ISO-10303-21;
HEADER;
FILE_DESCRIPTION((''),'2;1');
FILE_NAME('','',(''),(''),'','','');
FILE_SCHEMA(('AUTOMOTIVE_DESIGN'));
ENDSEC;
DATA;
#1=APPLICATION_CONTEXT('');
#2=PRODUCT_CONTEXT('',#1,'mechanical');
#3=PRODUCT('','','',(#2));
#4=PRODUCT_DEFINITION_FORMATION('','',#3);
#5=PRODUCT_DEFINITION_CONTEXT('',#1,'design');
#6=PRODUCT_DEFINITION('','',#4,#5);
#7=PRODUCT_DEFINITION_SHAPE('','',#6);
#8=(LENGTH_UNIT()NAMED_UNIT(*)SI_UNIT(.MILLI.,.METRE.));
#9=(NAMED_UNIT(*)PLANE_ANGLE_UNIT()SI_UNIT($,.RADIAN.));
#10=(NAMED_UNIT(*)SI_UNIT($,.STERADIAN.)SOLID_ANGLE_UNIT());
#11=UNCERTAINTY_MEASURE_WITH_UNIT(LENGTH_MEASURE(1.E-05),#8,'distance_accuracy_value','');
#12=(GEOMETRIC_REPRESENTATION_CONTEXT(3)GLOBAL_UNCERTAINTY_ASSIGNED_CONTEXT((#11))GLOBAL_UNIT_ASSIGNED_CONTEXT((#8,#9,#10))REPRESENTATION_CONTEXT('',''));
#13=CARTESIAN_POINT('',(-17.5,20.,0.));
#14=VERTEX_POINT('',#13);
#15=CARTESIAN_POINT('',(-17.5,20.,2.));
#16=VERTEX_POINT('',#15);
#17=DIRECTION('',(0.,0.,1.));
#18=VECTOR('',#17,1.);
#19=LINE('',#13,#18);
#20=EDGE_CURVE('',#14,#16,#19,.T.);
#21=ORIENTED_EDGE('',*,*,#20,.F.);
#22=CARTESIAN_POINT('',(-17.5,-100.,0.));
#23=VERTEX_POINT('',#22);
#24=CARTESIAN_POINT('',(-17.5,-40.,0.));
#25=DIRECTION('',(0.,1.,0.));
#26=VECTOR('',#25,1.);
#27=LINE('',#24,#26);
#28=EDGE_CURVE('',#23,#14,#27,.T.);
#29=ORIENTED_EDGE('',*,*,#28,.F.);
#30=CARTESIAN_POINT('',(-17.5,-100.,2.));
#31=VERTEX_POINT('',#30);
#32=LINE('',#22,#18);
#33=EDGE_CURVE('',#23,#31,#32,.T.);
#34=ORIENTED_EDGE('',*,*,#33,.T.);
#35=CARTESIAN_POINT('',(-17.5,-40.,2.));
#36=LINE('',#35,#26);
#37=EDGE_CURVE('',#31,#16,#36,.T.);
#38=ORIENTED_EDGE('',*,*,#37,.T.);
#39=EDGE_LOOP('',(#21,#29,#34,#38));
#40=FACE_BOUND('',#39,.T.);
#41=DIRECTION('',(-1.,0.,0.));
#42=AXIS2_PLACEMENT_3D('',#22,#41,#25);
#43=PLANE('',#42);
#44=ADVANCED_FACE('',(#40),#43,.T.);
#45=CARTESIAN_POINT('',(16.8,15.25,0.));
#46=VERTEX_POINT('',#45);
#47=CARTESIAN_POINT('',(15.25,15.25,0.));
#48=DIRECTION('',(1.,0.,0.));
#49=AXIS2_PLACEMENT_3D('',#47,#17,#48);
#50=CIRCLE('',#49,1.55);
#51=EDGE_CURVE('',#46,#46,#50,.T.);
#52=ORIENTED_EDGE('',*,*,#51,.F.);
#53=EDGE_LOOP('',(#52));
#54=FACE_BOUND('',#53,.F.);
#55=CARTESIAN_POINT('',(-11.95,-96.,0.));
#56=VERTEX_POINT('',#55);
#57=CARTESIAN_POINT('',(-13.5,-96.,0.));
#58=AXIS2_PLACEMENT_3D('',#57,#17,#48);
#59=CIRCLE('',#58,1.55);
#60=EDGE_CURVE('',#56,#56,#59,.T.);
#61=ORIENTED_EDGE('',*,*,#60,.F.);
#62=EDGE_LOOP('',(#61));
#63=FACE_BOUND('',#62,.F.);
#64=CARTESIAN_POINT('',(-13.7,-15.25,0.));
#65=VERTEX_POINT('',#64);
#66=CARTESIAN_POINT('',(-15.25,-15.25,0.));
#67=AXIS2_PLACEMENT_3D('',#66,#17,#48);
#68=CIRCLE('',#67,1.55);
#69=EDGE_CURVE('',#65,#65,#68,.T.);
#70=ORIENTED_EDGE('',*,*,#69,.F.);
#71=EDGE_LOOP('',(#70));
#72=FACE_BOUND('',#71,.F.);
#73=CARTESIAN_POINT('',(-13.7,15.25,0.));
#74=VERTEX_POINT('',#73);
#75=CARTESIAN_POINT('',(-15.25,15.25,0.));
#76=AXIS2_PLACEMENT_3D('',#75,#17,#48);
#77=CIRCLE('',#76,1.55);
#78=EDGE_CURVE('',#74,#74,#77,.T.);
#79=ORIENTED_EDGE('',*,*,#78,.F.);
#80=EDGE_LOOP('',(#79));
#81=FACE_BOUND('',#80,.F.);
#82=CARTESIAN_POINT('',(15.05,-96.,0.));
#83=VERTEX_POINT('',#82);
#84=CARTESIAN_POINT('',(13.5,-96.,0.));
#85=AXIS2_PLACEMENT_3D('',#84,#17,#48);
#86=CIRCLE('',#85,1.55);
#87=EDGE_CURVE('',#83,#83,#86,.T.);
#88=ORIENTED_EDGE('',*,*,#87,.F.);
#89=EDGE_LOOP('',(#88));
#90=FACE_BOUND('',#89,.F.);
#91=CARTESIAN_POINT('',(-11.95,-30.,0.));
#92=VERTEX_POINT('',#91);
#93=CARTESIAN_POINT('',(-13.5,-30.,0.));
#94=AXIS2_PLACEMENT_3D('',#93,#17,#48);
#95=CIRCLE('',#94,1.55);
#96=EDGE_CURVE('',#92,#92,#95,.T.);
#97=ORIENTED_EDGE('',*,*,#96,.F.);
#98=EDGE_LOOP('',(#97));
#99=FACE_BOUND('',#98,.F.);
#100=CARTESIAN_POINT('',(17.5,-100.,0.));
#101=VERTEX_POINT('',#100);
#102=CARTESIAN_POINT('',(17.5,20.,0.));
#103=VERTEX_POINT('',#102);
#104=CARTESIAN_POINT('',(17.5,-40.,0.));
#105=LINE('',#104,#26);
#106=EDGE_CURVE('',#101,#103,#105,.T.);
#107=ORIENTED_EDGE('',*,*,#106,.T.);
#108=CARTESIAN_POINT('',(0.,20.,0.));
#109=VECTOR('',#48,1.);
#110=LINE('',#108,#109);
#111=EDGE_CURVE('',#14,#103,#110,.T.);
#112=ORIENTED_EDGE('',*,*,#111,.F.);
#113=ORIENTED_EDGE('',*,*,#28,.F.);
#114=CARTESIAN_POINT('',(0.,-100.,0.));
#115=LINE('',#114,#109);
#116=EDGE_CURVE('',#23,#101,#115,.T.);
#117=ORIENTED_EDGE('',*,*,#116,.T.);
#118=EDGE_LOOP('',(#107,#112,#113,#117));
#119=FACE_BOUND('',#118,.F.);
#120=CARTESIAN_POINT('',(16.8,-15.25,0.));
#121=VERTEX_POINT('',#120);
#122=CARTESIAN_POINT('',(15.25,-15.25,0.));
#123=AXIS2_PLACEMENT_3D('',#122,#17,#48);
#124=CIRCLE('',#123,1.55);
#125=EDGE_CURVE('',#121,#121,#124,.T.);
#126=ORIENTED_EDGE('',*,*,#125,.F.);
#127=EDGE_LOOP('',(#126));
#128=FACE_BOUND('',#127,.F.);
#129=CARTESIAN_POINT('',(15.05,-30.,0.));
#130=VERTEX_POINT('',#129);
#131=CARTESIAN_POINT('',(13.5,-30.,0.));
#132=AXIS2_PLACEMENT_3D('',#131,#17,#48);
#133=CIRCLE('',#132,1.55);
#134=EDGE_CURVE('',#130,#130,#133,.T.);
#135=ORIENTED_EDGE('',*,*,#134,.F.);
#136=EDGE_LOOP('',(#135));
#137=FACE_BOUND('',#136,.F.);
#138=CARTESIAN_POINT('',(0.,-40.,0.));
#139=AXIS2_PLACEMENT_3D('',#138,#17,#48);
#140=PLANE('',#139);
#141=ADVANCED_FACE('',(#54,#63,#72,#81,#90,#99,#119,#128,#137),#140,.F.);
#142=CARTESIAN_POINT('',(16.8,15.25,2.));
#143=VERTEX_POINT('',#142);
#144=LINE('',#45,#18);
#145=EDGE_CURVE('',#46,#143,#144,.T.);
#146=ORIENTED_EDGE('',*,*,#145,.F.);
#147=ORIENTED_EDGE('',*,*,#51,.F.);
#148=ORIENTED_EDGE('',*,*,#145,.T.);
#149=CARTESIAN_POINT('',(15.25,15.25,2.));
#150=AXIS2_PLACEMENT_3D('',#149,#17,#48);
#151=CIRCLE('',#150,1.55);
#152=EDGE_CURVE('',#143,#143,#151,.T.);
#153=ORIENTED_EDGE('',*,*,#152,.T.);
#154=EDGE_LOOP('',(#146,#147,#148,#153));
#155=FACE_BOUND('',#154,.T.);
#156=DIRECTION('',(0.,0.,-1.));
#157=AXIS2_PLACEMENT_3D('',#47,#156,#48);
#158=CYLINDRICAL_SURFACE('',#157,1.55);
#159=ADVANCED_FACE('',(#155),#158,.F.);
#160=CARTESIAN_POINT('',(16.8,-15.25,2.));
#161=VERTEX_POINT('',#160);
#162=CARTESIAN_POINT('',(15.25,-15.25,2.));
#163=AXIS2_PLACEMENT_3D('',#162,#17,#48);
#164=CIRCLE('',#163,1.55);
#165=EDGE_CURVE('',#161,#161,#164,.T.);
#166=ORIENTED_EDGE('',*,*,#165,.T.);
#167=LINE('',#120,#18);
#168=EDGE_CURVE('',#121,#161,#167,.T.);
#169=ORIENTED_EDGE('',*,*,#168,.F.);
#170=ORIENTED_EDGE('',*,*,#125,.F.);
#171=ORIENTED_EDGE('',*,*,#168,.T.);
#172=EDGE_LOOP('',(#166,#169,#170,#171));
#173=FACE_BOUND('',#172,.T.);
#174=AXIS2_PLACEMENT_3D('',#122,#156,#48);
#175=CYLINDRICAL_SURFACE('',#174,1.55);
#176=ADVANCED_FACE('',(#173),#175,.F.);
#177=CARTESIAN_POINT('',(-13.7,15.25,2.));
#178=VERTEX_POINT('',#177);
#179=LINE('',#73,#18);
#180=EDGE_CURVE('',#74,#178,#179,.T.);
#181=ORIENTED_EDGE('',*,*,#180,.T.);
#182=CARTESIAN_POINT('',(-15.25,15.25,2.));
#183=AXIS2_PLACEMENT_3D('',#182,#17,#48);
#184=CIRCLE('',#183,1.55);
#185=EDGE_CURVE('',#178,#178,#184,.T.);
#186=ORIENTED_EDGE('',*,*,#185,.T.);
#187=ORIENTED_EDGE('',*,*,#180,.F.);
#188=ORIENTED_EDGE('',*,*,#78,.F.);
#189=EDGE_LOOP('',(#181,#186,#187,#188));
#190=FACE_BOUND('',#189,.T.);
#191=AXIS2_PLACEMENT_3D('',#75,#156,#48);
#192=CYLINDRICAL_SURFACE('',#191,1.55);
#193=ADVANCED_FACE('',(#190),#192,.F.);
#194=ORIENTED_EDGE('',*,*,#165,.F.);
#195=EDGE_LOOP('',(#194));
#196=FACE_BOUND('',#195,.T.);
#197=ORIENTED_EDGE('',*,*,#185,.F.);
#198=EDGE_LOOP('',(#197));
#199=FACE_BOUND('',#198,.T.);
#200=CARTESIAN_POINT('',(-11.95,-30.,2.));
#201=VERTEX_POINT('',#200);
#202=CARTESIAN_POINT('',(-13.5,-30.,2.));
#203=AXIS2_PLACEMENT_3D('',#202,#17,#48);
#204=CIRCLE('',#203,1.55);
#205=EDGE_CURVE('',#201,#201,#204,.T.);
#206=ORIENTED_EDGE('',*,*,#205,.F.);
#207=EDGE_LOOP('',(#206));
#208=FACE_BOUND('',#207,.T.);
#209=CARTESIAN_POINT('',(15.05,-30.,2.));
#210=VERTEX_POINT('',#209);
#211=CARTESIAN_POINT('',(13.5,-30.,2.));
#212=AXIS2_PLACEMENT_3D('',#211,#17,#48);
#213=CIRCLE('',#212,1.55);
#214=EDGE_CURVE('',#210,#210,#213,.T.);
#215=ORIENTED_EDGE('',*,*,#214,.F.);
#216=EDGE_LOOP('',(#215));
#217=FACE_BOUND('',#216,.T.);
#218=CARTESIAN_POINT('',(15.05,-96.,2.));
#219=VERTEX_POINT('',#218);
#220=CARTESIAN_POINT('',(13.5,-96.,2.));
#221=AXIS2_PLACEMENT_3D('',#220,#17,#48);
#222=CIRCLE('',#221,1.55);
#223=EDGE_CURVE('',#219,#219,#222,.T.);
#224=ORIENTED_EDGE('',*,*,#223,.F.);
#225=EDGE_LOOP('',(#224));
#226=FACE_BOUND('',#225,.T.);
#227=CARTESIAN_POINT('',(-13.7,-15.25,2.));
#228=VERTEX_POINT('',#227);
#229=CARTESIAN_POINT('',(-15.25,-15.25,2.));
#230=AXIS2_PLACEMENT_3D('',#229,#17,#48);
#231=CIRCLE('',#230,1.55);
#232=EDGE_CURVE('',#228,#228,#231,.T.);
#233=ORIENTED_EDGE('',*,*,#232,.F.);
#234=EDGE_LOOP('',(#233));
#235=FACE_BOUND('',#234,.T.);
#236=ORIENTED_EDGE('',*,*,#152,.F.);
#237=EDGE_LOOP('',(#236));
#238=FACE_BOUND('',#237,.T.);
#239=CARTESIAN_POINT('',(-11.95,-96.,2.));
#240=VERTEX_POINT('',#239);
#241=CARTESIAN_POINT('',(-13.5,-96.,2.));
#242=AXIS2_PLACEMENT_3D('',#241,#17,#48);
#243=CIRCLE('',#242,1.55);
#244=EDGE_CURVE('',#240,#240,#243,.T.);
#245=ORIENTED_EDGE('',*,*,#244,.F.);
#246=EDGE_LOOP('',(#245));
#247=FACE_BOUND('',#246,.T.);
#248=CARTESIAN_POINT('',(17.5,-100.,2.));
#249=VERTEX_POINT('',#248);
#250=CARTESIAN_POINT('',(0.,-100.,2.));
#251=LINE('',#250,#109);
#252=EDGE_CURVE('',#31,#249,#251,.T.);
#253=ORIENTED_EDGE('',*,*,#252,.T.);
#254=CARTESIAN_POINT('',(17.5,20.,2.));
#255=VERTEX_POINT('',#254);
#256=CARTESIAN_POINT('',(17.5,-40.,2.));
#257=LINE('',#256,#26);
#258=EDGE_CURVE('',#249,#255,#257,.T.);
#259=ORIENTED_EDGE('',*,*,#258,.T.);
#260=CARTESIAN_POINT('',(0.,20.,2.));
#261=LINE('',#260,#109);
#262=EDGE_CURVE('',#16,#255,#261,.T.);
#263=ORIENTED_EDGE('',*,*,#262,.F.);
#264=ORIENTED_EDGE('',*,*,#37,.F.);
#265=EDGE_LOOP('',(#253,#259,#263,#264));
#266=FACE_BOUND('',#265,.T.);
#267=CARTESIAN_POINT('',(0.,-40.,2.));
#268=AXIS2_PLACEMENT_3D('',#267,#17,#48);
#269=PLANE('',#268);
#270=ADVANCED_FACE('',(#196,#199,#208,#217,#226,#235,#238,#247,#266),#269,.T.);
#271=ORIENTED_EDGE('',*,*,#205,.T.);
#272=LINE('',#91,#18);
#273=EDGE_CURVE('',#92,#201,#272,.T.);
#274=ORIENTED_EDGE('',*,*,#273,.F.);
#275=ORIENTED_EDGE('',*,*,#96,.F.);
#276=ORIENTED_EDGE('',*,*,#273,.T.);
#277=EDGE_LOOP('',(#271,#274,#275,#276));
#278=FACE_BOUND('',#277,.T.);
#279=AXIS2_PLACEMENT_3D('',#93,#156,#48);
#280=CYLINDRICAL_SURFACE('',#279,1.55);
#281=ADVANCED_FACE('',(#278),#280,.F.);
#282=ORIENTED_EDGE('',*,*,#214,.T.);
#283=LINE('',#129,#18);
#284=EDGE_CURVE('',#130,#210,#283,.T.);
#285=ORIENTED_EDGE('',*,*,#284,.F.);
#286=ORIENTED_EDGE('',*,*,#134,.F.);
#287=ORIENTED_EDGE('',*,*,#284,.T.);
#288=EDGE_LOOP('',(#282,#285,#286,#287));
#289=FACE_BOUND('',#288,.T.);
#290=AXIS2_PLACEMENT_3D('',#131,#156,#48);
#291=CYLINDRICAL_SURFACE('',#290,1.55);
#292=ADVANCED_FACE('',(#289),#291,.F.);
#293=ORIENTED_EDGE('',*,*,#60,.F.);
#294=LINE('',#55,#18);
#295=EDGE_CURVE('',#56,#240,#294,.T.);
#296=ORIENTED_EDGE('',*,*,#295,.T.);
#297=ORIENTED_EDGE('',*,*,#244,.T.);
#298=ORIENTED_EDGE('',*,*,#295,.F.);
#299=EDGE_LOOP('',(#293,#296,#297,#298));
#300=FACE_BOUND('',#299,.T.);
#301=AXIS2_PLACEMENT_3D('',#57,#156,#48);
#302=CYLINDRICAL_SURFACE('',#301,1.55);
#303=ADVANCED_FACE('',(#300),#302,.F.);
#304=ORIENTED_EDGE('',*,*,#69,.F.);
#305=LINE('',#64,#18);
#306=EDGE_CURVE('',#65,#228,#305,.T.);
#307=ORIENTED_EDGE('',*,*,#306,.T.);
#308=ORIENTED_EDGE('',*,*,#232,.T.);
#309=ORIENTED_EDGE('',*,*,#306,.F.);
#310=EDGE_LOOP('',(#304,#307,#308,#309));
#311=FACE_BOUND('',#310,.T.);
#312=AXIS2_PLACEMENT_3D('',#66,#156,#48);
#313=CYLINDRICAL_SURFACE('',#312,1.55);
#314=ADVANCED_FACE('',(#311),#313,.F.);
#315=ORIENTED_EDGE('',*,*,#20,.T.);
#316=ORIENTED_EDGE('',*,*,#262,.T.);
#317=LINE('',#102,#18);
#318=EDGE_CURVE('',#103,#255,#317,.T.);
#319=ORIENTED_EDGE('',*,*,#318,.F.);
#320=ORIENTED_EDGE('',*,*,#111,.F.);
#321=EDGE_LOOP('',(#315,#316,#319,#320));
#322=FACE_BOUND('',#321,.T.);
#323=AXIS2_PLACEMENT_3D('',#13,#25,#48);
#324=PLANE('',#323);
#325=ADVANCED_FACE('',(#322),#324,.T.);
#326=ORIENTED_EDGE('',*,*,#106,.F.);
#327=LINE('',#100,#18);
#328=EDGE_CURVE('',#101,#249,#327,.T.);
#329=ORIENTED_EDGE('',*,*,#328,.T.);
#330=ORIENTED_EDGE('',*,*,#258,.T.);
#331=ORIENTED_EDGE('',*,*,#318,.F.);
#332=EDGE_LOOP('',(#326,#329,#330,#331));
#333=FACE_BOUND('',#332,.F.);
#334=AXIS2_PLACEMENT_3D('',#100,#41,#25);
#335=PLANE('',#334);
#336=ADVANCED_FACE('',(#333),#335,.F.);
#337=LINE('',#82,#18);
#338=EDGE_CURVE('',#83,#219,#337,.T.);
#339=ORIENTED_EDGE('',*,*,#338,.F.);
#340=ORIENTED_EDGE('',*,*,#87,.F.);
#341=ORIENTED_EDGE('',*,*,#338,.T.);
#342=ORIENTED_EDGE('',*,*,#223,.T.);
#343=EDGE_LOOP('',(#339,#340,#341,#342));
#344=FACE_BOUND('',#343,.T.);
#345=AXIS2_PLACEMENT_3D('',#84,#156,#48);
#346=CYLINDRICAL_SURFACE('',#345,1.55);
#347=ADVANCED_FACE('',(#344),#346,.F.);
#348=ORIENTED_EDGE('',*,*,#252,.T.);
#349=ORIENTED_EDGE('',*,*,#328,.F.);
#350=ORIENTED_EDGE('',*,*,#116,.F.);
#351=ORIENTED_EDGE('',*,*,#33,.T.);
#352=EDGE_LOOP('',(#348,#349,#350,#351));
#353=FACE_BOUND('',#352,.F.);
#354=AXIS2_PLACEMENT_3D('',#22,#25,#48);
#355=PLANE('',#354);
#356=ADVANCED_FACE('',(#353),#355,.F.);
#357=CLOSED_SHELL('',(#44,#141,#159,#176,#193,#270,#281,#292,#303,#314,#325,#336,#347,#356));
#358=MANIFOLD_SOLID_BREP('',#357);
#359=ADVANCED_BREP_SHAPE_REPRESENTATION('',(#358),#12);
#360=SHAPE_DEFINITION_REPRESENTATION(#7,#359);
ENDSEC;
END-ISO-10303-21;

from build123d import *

# Parameters (mm, degrees)
SKETCH_W  = 35
SKETCH_H  = 120
SKETCH_R  = 1.55
PAD_DEPTH = 2


with BuildPart() as part:
    # Sketch → Pad (new body)
    with BuildSketch(Plane.XY):
        with Locations((0, -40)):
            Rectangle(SKETCH_W, SKETCH_H)
        with Locations((-15.25, 15.25)):
            Circle(SKETCH_R, mode=Mode.SUBTRACT)
        with Locations((15.25, 15.25)):
            Circle(SKETCH_R, mode=Mode.SUBTRACT)
        with Locations((-15.25, -15.25)):
            Circle(SKETCH_R, mode=Mode.SUBTRACT)
        with Locations((15.25, -15.25)):
            Circle(SKETCH_R, mode=Mode.SUBTRACT)
        with Locations((-13.5, -96)):
            Circle(SKETCH_R, mode=Mode.SUBTRACT)
        with Locations((13.5, -96)):
            Circle(SKETCH_R, mode=Mode.SUBTRACT)
        with Locations((-13.5, -30)):
            Circle(SKETCH_R, mode=Mode.SUBTRACT)
        with Locations((13.5, -30)):
            Circle(SKETCH_R, mode=Mode.SUBTRACT)
    extrude(amount=PAD_DEPTH)


solid = part.part
